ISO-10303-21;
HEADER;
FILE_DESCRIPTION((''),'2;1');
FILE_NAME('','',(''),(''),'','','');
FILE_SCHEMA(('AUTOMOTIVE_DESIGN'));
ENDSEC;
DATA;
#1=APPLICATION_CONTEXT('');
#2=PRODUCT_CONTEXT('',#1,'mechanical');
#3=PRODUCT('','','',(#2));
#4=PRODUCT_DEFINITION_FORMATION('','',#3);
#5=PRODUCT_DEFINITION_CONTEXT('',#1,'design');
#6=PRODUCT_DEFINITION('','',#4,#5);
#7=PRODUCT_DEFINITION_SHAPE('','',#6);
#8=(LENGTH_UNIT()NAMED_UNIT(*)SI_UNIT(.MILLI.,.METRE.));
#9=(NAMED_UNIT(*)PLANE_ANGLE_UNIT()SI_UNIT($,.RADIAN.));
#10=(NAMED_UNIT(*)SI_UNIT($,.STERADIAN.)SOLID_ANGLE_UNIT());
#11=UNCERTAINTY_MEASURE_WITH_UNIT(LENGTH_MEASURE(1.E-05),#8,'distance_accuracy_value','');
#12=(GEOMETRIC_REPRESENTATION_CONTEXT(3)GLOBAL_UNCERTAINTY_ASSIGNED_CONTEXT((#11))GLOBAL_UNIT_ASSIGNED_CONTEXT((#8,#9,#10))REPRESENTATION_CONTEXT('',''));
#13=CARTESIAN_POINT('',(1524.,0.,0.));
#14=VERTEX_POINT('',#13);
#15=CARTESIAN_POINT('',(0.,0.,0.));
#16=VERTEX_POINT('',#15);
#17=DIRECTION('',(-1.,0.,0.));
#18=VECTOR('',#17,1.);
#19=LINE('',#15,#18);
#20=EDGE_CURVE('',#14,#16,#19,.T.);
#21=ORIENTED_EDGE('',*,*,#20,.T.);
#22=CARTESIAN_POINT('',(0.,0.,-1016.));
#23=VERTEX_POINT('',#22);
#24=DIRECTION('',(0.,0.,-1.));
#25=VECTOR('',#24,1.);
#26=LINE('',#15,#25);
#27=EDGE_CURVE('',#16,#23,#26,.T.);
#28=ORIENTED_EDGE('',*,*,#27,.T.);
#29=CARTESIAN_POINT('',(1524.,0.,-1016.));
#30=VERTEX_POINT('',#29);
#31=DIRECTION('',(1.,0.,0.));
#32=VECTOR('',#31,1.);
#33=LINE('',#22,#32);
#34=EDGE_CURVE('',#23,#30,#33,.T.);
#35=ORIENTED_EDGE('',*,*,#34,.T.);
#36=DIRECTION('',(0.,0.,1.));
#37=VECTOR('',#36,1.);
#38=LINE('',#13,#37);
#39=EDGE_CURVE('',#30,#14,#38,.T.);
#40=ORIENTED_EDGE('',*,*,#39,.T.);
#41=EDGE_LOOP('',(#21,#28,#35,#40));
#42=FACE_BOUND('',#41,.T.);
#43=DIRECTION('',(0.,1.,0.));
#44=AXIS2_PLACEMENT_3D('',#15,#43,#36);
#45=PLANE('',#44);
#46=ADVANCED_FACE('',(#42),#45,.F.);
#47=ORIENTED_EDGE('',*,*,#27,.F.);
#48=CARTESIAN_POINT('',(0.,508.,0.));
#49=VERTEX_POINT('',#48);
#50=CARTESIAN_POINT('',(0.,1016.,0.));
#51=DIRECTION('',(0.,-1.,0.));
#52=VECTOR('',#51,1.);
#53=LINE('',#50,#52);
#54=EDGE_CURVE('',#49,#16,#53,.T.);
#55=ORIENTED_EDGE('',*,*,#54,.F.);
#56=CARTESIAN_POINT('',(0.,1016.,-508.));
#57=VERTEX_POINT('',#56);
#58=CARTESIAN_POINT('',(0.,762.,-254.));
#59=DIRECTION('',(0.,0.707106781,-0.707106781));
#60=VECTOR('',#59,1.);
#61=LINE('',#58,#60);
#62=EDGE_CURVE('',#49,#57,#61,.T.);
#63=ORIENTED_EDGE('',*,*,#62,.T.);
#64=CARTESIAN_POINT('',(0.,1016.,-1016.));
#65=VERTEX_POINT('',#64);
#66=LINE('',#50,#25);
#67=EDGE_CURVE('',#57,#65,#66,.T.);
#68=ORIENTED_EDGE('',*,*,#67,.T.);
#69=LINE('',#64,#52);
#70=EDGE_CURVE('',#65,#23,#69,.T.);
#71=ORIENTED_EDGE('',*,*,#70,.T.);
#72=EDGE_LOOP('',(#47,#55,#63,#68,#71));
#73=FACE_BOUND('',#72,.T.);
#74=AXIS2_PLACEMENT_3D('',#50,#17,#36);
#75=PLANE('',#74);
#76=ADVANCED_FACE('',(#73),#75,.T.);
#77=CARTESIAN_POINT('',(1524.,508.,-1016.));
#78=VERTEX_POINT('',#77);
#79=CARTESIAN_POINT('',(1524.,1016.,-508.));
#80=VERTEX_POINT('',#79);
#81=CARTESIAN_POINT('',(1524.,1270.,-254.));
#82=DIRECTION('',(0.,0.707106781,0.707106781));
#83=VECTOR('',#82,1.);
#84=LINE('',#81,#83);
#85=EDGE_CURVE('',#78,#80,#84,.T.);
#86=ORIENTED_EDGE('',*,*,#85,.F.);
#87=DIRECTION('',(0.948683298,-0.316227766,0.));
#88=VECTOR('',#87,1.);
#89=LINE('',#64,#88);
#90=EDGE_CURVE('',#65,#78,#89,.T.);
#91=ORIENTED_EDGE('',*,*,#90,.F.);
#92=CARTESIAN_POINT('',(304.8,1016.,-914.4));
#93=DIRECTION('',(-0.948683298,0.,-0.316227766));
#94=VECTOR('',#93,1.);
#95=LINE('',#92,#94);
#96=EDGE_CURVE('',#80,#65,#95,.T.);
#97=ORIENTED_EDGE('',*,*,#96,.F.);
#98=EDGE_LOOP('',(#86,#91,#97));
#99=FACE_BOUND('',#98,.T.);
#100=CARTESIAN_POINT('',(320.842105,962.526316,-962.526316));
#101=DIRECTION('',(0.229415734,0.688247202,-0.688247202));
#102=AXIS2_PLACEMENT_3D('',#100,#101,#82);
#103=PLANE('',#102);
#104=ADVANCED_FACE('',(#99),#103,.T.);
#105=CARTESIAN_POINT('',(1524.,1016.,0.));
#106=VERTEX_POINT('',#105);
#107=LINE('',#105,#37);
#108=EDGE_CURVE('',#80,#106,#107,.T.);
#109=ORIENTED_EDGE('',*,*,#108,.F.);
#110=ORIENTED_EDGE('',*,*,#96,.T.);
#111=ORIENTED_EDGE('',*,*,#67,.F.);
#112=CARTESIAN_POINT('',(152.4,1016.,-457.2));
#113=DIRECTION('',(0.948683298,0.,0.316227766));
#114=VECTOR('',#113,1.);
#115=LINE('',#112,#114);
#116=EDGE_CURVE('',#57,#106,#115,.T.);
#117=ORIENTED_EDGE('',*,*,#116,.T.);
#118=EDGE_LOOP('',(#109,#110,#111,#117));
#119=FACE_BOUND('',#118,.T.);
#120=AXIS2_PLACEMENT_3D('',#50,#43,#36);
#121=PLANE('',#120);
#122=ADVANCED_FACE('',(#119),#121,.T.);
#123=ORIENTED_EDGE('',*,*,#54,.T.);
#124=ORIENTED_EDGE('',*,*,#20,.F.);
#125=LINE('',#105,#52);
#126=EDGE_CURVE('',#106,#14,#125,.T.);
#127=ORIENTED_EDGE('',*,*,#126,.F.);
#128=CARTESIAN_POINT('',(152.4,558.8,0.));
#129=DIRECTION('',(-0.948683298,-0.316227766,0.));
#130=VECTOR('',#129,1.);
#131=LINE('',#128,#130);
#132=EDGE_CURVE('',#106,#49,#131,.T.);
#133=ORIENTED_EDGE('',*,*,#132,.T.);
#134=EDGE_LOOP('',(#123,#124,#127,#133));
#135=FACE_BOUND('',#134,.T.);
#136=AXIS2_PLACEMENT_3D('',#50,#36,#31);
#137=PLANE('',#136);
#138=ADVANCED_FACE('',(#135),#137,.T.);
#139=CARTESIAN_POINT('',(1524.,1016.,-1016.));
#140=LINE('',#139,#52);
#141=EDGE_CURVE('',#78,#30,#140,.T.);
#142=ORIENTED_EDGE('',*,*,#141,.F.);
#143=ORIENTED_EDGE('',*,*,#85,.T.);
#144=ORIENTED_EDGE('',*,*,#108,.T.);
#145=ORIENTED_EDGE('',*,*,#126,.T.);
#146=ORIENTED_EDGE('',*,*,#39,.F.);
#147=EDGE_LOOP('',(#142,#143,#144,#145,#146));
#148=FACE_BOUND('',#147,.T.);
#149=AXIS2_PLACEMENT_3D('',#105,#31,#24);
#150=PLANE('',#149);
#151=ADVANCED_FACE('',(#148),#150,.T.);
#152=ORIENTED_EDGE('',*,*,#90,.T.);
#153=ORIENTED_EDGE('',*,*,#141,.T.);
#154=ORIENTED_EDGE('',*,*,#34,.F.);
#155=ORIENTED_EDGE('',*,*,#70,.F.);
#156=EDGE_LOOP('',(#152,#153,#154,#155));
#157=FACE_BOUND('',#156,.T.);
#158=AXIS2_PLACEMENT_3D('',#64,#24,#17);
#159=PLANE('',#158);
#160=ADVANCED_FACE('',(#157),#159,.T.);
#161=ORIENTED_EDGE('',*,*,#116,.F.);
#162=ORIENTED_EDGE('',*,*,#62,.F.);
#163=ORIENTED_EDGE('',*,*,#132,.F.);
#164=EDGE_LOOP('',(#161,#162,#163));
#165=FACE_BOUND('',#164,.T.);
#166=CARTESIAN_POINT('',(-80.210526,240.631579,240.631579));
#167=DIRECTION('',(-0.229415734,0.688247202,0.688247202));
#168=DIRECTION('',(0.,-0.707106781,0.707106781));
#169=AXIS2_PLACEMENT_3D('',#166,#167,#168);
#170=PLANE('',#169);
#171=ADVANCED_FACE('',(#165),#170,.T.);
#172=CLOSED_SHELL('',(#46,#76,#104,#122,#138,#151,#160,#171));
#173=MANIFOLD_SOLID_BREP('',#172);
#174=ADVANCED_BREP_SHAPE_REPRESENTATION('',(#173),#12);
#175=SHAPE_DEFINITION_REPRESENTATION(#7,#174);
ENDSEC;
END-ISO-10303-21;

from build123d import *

# Parameters (mm, degrees)
BOSS_EXTRUDE1_DEPTH = 1016


with BuildPart() as part:
    # Sketch1 → Boss-Extrude1 (new body)
    with BuildSketch(Plane(origin=(0, 0, 0), x_dir=(1, 0, 0), z_dir=(0, 1, 0))):
        Polygon((0, 1016), (0, 508), (1524, 0), (1524, 508), align=None)
        Polygon((1524, 1016), (0, 1016), (1524, 508), align=None)
        Polygon((0, 508), (0, 0), (1524, 0), align=None)
    extrude(amount=BOSS_EXTRUDE1_DEPTH)

    # SurfaceCut1
    split(bisect_by=Plane(origin=(320.842105263, 962.526315789, -962.526315789), x_dir=(-0.9733285267845753, 0.16222142113076252, -0.1622214211307626), z_dir=(0.22941573387056174, 0.6882472016116851, -0.6882472016116855)), keep=Keep.BOTTOM)

    # SurfaceCut2
    split(bisect_by=Plane(origin=(-80.210526316, 240.631578947, 240.631578947), x_dir=(0.9733285267845753, 0.16222142113076254, 0.16222142113076254), z_dir=(-0.22941573387056177, 0.6882472016116853, 0.6882472016116854)), keep=Keep.BOTTOM)


solid = part.part
